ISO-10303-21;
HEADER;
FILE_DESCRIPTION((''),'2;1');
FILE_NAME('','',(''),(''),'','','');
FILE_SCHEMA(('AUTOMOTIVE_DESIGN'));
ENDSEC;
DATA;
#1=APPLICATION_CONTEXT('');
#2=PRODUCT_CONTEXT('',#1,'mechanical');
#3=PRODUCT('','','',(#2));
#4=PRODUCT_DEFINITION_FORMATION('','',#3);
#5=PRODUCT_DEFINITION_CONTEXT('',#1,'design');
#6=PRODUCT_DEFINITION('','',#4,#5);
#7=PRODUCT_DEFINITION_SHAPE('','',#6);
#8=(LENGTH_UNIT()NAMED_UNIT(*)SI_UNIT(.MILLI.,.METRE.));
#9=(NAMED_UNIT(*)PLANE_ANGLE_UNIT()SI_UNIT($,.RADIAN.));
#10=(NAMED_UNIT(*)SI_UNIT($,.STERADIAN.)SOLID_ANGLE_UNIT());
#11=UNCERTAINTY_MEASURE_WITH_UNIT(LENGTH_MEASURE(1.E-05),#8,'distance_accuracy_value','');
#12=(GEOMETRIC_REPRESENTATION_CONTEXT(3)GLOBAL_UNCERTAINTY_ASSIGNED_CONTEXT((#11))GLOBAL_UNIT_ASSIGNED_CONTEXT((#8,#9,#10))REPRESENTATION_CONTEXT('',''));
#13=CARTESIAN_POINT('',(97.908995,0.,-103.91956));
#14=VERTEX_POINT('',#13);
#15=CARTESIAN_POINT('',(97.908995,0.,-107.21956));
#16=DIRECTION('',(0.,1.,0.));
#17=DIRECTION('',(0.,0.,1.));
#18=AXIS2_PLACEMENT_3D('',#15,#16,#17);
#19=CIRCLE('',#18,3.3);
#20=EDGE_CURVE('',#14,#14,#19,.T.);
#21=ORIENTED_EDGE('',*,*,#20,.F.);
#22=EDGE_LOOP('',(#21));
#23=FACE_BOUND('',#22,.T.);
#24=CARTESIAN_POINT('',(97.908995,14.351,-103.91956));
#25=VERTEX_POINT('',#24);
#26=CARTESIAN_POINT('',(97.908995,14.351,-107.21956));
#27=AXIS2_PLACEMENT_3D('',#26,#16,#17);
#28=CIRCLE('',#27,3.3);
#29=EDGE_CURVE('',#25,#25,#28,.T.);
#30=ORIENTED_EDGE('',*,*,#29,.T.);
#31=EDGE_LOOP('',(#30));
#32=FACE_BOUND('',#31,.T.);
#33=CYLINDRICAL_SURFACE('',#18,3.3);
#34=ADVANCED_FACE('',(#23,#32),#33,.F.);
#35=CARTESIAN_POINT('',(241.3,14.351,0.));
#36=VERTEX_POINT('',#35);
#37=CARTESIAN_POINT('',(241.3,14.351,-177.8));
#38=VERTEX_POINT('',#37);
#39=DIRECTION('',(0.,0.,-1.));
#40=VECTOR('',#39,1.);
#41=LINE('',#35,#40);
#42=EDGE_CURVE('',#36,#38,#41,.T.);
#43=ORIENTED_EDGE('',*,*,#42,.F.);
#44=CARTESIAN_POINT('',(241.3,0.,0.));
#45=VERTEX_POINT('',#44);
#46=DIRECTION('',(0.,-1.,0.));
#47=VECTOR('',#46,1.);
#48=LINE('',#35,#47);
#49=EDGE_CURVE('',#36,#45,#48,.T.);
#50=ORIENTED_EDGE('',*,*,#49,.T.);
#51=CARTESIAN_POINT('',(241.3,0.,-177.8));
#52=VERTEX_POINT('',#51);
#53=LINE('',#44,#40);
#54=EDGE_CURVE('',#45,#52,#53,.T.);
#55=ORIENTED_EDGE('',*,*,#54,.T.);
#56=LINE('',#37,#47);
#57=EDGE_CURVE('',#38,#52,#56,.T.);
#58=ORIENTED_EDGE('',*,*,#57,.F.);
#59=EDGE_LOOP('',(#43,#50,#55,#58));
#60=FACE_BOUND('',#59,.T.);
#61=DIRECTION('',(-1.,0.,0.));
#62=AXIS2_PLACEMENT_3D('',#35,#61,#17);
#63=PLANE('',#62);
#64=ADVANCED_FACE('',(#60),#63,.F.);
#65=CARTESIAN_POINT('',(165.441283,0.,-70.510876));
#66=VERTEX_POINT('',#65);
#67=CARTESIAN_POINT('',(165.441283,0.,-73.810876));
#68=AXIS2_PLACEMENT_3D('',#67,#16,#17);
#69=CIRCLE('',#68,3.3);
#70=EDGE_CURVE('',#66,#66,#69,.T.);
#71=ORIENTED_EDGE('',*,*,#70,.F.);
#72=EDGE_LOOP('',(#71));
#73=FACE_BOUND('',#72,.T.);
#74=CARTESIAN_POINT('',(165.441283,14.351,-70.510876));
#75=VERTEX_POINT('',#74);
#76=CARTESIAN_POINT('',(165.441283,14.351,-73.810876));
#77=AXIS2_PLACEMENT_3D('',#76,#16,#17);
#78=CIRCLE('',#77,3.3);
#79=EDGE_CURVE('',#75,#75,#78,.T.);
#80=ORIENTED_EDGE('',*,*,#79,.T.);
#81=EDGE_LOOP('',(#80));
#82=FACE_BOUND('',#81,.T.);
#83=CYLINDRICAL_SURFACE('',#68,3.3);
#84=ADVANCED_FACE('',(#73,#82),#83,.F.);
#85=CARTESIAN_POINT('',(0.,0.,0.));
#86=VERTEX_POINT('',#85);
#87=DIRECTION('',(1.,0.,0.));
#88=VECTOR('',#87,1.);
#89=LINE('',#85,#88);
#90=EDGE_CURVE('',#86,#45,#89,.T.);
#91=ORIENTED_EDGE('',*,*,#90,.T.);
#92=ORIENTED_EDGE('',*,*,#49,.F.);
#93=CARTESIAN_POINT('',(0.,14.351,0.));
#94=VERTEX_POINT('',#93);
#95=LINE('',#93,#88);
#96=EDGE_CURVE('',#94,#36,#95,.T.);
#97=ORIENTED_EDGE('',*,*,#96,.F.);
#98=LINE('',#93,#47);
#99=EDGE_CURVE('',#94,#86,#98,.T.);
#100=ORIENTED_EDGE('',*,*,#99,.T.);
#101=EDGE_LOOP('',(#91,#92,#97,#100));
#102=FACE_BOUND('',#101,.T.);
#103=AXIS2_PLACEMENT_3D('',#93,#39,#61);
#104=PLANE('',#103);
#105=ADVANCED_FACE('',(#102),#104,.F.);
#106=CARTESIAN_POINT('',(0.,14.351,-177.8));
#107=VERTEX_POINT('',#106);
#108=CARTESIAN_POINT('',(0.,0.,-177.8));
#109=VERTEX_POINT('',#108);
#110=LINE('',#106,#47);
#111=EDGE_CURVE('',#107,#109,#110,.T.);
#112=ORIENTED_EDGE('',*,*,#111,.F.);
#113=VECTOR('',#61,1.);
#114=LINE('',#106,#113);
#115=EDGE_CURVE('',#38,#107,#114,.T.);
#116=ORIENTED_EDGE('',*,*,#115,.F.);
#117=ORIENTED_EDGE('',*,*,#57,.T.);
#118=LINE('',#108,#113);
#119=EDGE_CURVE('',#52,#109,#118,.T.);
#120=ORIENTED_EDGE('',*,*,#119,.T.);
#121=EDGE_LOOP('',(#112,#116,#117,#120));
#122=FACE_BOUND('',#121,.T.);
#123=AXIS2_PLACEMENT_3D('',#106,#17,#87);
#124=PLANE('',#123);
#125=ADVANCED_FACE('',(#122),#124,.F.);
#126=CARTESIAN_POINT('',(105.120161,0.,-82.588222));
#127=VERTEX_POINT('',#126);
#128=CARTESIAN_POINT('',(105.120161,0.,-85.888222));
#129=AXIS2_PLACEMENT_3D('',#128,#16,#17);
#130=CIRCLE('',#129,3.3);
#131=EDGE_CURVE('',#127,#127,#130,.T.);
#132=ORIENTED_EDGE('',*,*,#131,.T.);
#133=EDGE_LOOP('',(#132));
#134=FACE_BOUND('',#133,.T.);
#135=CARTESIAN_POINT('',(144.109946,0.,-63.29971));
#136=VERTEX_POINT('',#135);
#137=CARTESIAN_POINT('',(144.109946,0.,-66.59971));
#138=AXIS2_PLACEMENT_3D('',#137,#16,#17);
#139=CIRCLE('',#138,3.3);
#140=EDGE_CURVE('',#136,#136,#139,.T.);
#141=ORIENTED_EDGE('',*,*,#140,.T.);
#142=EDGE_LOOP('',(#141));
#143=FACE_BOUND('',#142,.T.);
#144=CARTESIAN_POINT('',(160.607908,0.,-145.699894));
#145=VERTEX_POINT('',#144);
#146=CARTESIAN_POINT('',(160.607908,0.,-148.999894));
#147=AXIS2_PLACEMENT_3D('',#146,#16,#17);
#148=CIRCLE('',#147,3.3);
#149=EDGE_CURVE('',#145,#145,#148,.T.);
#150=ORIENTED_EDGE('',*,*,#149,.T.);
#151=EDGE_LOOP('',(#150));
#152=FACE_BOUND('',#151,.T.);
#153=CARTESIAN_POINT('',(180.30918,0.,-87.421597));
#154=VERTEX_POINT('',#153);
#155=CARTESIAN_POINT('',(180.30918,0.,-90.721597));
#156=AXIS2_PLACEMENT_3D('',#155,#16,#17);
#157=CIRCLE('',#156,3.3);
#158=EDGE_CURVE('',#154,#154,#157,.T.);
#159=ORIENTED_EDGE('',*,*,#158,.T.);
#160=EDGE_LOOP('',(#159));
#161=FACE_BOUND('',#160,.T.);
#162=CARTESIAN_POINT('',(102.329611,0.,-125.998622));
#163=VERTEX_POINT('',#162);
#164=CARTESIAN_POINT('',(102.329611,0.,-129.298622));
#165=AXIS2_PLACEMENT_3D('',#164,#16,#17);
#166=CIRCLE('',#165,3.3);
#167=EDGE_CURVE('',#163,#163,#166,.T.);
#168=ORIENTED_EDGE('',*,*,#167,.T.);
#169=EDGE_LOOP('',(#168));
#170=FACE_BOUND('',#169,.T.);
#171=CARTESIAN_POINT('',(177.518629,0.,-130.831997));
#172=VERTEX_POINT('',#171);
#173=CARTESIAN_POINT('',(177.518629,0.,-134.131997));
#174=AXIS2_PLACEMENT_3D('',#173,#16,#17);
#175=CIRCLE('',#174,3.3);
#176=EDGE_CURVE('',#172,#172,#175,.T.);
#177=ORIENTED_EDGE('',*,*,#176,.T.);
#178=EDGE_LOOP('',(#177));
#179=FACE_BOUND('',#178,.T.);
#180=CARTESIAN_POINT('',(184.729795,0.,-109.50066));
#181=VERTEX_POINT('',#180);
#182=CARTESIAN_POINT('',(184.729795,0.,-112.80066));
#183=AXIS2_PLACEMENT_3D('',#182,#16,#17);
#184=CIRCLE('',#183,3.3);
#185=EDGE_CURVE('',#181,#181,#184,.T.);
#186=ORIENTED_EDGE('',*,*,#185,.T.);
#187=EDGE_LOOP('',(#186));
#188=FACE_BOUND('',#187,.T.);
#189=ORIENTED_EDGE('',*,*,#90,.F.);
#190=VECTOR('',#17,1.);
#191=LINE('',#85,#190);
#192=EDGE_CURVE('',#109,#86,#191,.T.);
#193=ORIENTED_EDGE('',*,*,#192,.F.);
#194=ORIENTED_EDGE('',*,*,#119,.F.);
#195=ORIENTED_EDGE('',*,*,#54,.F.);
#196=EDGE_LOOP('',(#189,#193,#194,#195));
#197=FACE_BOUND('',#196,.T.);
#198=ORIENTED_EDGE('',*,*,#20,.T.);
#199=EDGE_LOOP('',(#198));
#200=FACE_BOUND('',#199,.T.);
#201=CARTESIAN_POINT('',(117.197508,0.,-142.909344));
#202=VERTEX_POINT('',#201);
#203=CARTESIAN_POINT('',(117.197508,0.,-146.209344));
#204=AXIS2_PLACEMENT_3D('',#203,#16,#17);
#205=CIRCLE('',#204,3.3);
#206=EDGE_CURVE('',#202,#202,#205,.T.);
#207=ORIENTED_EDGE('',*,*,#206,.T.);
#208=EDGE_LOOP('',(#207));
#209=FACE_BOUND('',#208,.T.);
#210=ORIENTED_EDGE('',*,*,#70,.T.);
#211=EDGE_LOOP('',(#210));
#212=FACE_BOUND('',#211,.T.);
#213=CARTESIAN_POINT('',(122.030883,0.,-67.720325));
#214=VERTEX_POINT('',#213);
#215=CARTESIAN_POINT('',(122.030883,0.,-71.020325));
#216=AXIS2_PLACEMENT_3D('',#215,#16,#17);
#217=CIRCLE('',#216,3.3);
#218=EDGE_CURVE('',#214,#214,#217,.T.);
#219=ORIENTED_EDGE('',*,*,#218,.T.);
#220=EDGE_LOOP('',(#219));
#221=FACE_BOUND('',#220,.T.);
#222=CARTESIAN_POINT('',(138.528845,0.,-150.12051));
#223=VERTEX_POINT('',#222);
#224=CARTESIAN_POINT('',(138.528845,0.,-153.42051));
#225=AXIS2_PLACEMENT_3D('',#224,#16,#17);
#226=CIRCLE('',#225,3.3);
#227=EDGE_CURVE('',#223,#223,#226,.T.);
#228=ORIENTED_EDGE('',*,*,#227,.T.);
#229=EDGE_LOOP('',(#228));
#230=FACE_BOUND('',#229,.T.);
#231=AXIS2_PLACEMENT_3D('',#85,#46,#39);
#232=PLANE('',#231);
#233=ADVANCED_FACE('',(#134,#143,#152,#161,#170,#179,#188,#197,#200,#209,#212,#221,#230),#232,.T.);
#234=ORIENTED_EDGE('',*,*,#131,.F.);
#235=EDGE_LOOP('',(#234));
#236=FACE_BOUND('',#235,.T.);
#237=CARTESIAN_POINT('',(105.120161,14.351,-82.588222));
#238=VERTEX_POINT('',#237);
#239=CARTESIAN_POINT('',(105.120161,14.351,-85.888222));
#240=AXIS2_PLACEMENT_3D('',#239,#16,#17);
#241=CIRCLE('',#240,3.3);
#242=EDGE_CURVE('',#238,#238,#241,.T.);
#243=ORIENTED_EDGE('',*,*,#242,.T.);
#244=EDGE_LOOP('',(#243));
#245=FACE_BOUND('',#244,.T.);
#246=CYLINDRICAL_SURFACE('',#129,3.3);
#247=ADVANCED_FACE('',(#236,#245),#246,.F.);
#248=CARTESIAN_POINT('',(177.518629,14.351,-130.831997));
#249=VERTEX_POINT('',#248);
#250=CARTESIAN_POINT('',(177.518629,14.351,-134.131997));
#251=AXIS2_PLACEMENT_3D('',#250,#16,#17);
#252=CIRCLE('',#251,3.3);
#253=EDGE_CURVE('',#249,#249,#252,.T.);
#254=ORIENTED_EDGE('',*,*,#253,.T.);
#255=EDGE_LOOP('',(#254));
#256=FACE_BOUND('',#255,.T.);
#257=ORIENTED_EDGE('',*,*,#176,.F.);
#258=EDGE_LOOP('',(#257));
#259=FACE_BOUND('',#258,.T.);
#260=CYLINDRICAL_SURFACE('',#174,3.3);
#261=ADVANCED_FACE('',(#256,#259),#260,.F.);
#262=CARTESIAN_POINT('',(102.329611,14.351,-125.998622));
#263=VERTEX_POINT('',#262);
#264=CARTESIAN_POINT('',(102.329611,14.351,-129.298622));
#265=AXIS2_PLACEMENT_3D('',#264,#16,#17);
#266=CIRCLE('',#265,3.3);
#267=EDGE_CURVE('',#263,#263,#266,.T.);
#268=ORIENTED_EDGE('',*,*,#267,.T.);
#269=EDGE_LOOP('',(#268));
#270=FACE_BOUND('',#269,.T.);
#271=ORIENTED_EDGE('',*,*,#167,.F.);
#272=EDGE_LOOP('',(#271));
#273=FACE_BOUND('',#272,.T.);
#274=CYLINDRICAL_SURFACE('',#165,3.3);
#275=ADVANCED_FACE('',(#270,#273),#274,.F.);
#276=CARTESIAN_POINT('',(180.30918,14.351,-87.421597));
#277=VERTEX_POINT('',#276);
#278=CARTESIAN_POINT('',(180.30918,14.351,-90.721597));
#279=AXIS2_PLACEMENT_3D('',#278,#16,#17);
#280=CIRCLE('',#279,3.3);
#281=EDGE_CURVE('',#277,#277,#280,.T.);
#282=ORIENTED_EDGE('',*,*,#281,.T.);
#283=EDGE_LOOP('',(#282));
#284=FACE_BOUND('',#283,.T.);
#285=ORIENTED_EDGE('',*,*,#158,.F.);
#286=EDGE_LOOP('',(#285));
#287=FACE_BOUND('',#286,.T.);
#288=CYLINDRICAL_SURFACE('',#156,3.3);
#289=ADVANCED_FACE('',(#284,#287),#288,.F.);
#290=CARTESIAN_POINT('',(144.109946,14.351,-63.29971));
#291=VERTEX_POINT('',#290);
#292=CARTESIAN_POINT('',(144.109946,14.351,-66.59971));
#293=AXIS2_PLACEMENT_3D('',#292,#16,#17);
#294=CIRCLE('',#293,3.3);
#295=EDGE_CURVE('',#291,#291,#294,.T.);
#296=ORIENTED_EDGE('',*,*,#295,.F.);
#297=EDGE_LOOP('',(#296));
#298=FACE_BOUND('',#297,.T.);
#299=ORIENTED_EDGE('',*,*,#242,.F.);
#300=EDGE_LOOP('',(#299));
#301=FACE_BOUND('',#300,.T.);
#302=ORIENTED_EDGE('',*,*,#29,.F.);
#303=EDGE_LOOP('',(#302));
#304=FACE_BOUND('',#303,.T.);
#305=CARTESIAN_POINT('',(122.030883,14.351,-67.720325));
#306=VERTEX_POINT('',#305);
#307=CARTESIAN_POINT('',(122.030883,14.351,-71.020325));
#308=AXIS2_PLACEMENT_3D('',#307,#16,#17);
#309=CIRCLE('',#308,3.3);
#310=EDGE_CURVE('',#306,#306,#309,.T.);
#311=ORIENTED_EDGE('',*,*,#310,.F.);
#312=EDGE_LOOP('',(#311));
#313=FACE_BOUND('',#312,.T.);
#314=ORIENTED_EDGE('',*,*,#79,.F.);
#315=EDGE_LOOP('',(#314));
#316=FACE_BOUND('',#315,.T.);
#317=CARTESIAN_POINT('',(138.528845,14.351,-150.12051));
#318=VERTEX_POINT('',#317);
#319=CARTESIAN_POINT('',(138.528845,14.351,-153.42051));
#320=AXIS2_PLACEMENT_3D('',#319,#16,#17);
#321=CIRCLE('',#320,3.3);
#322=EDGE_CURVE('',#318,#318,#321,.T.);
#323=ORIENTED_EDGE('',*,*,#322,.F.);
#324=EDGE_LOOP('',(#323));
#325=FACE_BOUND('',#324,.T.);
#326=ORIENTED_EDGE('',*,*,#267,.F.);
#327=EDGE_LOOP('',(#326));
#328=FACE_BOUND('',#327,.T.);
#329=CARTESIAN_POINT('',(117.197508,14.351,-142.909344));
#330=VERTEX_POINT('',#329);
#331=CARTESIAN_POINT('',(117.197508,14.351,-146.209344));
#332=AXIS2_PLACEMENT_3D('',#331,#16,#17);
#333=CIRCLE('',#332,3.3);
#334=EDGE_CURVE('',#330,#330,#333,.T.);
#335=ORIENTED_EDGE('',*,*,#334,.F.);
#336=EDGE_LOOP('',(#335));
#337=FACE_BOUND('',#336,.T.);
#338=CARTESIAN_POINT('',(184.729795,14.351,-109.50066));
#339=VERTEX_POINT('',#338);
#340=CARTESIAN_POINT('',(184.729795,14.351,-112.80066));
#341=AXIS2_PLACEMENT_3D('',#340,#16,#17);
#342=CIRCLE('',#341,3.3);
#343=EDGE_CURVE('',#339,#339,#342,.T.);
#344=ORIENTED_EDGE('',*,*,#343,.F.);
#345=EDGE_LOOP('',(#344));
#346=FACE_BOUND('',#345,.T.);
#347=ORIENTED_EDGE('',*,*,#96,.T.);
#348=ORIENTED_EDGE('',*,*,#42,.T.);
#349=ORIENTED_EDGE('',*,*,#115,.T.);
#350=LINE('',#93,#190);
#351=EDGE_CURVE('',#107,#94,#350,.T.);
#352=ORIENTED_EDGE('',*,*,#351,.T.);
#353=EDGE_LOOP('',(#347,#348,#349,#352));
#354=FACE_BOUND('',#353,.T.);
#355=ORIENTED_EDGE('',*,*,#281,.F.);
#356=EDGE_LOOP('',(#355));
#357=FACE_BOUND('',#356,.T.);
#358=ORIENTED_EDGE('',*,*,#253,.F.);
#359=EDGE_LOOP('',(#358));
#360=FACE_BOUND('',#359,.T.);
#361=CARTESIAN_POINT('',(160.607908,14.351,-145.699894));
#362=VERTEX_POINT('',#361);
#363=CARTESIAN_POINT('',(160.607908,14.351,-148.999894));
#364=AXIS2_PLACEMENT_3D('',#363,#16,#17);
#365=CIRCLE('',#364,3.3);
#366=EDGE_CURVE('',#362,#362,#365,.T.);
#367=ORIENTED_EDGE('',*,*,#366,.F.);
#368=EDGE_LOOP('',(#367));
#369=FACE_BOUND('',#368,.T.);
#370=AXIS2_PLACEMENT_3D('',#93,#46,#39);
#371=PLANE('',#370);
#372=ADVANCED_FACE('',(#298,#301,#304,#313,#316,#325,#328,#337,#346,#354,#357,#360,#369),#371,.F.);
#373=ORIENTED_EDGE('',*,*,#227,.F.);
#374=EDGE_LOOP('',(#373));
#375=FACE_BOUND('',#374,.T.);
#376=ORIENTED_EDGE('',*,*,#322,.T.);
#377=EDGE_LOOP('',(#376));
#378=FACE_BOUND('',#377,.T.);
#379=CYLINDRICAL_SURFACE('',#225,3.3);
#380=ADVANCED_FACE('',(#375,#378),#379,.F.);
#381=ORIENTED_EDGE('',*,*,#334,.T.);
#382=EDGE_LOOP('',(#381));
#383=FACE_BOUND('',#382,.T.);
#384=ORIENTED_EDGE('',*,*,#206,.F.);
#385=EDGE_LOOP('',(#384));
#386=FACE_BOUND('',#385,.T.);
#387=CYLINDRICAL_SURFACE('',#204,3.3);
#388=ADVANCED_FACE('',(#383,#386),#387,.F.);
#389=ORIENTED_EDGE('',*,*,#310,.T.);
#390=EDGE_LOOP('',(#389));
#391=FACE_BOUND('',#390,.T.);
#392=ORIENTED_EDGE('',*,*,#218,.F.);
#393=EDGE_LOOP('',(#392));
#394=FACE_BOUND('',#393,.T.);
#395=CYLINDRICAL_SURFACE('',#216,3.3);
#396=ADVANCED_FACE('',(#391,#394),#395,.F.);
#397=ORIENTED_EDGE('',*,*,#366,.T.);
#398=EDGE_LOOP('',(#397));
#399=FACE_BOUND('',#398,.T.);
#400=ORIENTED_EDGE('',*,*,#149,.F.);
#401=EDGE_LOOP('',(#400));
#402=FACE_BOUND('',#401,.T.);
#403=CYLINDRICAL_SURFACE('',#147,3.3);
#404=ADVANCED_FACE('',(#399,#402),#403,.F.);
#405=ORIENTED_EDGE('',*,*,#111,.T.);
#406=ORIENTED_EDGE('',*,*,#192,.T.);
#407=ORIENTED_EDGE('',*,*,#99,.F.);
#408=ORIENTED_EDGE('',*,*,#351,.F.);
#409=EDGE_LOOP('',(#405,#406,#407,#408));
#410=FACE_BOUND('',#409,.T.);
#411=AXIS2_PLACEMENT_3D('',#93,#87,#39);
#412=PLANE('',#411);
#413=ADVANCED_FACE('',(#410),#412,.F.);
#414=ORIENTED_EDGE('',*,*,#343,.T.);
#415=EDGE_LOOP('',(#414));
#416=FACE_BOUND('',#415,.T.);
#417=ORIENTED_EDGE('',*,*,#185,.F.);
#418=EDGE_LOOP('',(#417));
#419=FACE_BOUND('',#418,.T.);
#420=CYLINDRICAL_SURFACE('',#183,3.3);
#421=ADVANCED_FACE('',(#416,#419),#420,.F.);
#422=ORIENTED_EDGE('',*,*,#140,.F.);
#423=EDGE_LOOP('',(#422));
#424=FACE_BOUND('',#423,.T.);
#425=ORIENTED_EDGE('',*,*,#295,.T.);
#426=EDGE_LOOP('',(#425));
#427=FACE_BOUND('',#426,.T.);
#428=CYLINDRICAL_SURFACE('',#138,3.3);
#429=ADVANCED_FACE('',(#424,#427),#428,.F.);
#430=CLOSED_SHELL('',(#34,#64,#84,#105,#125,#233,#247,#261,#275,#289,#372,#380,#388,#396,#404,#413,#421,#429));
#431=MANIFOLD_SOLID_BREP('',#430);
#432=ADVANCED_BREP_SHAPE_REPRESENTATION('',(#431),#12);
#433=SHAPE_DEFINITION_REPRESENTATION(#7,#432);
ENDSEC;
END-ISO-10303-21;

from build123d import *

# Parameters (mm, degrees)
SKETCH1_W           = 241.3
SKETCH1_H           = 177.8
BOSS_EXTRUDE1_DEPTH = 14.351
SKETCH3_R           = 3.3
CUT_EXTRUDE1_DEPTH  = 301.074126177


with BuildPart() as part:
    # Sketch1 → Boss-Extrude1 (new body)
    with BuildSketch(Plane(origin=(0, 0, 0), x_dir=(1, 0, 0), z_dir=(0, 1, 0))):
        with Locations((120.65, 88.9)):
            Rectangle(SKETCH1_W, SKETCH1_H)
    extrude(amount=BOSS_EXTRUDE1_DEPTH)

    # Sketch3 → Cut-Extrude1 (cut, through all)
    with BuildSketch(Plane(origin=(0, 14.351, 0), x_dir=(1, 0, 0), z_dir=(0, 1, 0))):
        with Locations(Location((180.309179647, 90.721597343, 0), (0, 0, 270))):
            Circle(SKETCH3_R)
        with Locations(Location((184.729795286, 112.800660267, 0), (0, 0, 270))):
            Circle(SKETCH3_R)
        with Locations(Location((177.518629268, 134.13199747, 0), (0, 0, 270))):
            Circle(SKETCH3_R)
        with Locations(Location((160.607907704, 148.999894376, 0), (0, 0, 270))):
            Circle(SKETCH3_R)
        with Locations(Location((138.52884478, 153.420510015, 0), (0, 0, 270))):
            Circle(SKETCH3_R)
        with Locations(Location((117.197507577, 146.209343997, 0), (0, 0, 270))):
            Circle(SKETCH3_R)
        with Locations(Location((102.329610671, 129.298622433, 0), (0, 0, 270))):
            Circle(SKETCH3_R)
        with Locations(Location((97.908995032, 107.219559509, 0), (0, 0, 270))):
            Circle(SKETCH3_R)
        with Locations(Location((105.12016105, 85.888222306, 0), (0, 0, 270))):
            Circle(SKETCH3_R)
        with Locations(Location((122.030882614, 71.0203254, 0), (0, 0, 270))):
            Circle(SKETCH3_R)
        with Locations(Location((165.441282741, 73.810875779, 0), (0, 0, 270))):
            Circle(SKETCH3_R)
        with Locations(Location((144.109945538, 66.599709761, 0), (0, 0, 270))):
            Circle(SKETCH3_R)
    extrude(amount=-CUT_EXTRUDE1_DEPTH, mode=Mode.SUBTRACT)


solid = part.part
